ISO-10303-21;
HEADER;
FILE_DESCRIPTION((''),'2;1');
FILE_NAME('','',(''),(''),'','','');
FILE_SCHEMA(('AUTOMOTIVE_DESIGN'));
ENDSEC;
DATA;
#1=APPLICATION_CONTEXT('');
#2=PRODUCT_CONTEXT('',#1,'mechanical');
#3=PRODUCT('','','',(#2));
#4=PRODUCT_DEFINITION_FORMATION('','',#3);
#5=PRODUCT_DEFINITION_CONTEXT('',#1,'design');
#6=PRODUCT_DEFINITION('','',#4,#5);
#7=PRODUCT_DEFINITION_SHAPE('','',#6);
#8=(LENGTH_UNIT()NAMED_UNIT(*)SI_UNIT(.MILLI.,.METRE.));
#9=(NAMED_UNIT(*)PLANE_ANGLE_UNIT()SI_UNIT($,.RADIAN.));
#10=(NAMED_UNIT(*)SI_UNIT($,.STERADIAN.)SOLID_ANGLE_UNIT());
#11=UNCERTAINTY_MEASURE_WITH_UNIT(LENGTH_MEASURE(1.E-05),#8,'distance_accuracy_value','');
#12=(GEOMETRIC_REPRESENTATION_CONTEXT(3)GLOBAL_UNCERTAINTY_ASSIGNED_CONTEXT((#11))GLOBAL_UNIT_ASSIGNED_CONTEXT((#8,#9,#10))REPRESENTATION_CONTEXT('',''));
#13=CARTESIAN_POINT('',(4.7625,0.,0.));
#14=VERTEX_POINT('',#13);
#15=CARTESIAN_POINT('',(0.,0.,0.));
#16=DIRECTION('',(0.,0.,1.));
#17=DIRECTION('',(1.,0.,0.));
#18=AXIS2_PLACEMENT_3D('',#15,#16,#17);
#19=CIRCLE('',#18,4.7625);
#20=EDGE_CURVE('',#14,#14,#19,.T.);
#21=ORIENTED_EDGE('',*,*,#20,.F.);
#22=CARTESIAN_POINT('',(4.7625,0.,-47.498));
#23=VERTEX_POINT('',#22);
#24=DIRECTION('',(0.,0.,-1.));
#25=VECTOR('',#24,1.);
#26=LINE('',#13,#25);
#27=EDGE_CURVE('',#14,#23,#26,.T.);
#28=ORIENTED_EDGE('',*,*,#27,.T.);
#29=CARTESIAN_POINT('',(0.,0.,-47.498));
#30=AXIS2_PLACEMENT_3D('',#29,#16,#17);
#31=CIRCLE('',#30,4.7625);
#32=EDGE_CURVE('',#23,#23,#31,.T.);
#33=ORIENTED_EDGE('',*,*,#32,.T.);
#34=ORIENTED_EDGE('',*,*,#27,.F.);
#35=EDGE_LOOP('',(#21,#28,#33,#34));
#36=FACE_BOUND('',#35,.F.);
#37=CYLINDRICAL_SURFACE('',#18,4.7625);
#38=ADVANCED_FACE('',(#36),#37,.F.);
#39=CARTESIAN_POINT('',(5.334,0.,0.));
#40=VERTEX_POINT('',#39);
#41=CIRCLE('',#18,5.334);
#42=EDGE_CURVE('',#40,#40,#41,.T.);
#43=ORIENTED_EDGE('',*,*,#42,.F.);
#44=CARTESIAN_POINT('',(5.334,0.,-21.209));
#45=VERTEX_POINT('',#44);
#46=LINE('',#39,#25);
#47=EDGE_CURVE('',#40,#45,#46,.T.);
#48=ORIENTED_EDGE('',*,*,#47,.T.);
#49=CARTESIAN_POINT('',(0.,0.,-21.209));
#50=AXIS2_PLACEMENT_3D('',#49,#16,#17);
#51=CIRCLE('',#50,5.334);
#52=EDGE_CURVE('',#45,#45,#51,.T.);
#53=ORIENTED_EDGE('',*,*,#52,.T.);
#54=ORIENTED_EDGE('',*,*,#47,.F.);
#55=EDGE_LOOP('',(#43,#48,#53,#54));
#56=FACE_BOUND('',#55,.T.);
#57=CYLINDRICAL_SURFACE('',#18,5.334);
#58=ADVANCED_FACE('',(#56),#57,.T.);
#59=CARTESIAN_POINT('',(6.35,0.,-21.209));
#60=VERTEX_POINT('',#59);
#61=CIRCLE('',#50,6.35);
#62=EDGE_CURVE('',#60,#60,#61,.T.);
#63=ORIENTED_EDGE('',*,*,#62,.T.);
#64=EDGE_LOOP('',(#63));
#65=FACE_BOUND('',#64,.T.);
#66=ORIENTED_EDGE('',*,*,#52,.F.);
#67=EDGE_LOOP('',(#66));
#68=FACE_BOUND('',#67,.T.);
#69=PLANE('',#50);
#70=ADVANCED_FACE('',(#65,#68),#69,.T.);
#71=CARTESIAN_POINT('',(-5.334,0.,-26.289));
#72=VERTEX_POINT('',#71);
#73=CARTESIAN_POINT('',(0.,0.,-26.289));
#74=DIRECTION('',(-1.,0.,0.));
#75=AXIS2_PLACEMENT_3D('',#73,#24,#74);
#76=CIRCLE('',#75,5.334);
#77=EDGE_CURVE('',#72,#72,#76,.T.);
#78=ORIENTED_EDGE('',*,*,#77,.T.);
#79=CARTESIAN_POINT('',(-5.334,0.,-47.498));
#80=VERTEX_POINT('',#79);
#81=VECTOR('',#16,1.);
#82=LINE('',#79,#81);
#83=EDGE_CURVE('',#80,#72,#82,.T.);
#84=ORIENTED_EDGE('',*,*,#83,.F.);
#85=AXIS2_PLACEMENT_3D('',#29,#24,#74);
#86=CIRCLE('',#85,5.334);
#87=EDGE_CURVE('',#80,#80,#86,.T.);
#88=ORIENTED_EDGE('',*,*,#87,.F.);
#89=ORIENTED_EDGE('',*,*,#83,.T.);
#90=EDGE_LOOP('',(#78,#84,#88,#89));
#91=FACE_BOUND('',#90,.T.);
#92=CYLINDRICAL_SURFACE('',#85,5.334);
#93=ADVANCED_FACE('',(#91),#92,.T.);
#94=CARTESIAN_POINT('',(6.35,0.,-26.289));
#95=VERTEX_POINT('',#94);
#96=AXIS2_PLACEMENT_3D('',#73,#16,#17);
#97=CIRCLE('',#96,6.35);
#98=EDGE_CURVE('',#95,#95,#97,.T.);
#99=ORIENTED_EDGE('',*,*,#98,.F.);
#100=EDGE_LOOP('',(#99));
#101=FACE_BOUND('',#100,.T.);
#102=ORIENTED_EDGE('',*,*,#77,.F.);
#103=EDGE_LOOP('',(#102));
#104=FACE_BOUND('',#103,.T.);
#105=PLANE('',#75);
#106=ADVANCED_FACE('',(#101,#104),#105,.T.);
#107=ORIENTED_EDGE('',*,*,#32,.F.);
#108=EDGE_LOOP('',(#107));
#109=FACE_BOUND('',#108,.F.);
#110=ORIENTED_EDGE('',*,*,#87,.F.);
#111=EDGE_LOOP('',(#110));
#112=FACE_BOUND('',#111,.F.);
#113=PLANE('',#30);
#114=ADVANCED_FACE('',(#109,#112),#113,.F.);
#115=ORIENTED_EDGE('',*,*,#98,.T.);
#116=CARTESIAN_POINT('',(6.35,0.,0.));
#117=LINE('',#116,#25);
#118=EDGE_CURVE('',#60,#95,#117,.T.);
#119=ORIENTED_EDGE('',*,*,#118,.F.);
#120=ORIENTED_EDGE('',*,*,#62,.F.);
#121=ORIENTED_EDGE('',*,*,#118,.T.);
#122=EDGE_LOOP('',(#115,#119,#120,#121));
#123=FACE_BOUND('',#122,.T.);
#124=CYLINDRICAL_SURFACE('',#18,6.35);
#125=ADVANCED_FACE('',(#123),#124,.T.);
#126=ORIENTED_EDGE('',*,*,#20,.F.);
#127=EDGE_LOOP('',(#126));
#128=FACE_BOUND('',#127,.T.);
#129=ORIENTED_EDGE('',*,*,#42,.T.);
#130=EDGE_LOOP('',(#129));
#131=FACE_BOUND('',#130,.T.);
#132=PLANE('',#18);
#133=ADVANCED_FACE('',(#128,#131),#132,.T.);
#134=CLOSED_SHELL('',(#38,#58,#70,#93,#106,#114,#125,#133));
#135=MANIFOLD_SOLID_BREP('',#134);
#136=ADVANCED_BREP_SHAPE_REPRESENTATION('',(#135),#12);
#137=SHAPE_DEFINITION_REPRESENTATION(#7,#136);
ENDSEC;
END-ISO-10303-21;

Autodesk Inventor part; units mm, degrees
ref_plane "YZ Plane" through (0, 0, 0) normal (1, 0, 0) x (0, 1, 0)
ref_plane "XZ Plane" through (0, 0, 0) normal (0, 1, 0) x (-1, 0, 0)
ref_plane "XY Plane" through (0, 0, 0) normal (0, 0, 1) x (1, 0, 0)
sketch "Sketch1" plane through (0, 0, 0) normal (0, 0, 1) x (1, 0, 0)
  circle A0 centre (0, 0) radius 6.35
  dimension "d0" = 12.7
extrude "Extrusion1" add sketch "Sketch1" against normal blind 47.498
sketch "Sketch2" plane through (0, 0, 0) normal (0, 0, 1) x (1, 0, 0)
  circle A0 centre (0, 0) radius 6.35 projected
  circle A1 centre (0, 0) radius 5.334
  dimension "d4" = 10.668
extrude "Extrusion2" cut sketch "Sketch2" against normal blind 21.209
sketch "Sketch3" plane through (0, 0, -47.498) normal (0, 0, -1) x (-1, 0, 0)
  circle A0 centre (0, 0) radius 6.35 projected
  circle A1 centre (0, 0) radius 5.334
  dimension "d7" = 10.668
extrude "Extrusion3" cut sketch "Sketch3" against normal blind 21.209
sketch "Sketch4" plane through (0, 0, 0) normal (0, 0, 1) x (1, 0, 0)
  circle A0 centre (0, 0) radius 5.334 projected
  circle A1 centre (0, 0) radius 4.7625
  dimension "d10" = 9.525
extrude "Extrusion4" cut sketch "Sketch4" against normal through all contours A1
properties part number "Cane Adapter"
